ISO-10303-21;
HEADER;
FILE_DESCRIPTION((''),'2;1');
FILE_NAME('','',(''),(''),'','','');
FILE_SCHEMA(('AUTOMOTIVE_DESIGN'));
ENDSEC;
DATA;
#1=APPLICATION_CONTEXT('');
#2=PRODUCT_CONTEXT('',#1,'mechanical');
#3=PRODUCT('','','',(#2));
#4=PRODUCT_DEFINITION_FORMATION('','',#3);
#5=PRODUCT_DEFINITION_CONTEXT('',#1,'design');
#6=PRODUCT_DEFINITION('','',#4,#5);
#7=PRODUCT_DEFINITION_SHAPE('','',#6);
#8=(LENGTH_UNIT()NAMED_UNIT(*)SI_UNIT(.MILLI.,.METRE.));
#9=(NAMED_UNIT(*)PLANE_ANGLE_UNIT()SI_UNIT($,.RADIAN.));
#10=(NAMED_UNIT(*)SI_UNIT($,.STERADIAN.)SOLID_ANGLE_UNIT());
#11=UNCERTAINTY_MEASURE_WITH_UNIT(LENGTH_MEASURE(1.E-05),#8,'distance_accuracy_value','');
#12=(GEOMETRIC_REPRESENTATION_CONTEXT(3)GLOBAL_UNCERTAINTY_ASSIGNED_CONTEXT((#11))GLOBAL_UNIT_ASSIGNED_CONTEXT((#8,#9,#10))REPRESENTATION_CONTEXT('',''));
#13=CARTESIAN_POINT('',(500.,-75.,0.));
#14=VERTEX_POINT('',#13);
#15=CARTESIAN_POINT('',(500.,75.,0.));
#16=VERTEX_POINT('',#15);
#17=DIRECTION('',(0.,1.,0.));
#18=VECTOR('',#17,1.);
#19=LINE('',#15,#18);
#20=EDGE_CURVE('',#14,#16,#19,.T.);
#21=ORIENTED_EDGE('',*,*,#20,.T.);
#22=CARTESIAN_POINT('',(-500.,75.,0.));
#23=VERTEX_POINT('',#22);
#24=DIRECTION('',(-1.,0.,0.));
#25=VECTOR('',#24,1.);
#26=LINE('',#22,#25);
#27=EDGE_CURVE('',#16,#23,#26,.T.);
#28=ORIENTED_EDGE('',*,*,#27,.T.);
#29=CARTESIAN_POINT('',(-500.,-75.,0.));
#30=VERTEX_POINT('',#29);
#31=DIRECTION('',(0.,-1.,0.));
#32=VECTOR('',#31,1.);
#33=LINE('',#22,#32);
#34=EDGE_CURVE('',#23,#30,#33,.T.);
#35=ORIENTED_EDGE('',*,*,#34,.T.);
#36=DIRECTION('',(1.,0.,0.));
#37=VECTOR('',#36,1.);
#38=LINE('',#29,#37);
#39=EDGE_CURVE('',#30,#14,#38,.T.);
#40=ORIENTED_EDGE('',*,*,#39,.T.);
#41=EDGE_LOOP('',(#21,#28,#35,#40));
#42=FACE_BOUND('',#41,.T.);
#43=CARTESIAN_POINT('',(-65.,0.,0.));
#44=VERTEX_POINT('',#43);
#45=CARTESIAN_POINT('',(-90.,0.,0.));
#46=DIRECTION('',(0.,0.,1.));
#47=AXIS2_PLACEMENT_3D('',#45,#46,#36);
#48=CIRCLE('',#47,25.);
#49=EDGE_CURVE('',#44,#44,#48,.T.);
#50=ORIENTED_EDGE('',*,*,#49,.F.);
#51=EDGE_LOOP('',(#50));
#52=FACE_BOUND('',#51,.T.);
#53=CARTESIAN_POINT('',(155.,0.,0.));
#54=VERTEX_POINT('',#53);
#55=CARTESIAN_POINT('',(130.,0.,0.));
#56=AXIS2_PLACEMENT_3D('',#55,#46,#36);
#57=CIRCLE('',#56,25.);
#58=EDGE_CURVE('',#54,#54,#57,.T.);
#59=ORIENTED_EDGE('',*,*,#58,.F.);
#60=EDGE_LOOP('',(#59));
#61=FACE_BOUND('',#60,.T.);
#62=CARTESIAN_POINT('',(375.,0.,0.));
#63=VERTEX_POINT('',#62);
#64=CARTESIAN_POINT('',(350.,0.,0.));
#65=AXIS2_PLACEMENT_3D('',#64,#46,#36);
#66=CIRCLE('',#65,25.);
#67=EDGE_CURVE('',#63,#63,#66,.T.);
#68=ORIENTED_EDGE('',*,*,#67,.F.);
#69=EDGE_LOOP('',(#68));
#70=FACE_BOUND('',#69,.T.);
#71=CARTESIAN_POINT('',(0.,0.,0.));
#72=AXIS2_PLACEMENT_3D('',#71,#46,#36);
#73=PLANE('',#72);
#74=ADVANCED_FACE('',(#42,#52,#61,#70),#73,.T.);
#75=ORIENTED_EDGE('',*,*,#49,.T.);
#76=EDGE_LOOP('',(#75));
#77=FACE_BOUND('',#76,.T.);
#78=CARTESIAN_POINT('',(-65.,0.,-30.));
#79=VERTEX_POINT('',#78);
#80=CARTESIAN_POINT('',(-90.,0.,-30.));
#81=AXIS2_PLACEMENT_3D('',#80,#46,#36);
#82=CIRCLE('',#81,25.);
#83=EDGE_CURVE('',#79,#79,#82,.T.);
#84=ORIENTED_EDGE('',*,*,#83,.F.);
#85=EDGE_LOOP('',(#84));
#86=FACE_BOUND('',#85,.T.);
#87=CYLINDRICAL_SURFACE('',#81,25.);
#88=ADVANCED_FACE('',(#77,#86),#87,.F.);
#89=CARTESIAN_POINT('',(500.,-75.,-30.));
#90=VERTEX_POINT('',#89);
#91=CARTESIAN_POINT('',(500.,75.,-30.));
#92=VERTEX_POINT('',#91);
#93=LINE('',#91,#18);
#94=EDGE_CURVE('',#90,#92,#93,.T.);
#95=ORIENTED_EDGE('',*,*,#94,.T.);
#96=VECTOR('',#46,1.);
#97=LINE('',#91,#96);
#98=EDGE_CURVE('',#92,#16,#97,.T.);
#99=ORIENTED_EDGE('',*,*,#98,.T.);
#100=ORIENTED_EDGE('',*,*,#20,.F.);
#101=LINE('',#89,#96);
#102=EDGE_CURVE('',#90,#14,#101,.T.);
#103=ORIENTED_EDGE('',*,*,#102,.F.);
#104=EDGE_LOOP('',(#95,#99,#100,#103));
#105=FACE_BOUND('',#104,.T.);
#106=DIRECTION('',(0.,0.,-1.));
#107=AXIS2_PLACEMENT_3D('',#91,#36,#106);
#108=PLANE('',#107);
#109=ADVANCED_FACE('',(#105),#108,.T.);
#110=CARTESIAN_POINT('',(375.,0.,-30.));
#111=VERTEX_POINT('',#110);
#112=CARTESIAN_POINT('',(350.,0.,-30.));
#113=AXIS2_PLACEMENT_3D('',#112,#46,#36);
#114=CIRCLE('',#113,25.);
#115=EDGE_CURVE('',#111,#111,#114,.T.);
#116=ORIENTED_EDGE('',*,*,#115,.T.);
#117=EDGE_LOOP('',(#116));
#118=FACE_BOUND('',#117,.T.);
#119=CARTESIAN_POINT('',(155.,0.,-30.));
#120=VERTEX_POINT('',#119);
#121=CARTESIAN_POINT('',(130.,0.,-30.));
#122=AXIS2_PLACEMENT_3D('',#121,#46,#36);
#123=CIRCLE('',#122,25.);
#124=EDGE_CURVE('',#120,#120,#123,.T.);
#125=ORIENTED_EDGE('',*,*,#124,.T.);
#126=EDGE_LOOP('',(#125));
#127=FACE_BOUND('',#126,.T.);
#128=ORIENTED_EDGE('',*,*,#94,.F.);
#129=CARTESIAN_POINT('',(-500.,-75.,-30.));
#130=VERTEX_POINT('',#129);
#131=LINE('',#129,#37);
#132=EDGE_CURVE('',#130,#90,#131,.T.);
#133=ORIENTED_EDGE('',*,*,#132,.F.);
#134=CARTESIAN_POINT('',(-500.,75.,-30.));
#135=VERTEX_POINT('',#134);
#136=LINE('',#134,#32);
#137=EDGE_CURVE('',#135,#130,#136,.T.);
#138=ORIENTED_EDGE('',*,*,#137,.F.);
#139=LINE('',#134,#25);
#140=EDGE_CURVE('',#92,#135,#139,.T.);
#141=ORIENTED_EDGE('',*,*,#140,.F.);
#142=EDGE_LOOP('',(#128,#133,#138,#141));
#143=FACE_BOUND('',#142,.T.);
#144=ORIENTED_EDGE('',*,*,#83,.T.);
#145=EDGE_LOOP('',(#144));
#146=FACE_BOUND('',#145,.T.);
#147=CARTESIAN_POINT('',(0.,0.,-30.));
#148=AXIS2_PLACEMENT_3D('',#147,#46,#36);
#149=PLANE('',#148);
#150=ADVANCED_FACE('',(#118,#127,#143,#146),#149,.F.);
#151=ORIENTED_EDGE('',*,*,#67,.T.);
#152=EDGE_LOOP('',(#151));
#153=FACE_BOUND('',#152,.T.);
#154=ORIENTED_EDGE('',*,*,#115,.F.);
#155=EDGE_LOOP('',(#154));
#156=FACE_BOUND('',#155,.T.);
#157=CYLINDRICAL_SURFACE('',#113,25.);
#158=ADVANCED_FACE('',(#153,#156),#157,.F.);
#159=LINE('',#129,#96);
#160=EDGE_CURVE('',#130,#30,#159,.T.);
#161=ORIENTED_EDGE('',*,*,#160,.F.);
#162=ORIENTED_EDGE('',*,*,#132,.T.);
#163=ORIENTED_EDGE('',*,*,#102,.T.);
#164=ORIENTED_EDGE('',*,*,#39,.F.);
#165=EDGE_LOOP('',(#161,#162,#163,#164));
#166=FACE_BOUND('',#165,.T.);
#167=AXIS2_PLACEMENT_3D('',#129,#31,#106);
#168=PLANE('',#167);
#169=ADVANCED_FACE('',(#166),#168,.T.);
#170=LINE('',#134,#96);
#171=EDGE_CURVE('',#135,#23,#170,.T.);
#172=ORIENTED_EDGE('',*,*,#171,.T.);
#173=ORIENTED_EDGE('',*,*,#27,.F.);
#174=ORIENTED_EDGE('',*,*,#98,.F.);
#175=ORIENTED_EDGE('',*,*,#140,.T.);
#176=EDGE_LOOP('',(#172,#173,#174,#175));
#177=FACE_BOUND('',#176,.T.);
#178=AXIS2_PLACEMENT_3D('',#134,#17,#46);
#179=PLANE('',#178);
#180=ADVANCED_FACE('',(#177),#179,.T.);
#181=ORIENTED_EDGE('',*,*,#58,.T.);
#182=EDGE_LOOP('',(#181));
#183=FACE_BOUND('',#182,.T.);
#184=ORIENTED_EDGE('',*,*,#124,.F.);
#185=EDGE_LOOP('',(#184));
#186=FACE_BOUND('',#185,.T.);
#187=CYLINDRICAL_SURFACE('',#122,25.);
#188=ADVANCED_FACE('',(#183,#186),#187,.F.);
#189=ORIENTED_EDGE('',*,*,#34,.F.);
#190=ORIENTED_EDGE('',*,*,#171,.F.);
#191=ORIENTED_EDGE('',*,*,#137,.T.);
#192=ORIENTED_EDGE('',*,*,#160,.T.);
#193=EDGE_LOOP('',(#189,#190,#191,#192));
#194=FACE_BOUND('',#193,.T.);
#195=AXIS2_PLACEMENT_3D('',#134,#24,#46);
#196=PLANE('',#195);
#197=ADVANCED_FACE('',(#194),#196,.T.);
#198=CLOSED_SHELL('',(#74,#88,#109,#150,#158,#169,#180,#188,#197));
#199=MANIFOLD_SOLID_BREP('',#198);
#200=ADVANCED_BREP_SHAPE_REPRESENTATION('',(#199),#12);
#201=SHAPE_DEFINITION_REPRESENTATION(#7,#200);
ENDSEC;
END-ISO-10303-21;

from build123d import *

# Parameters (mm, degrees)
SKETCH2_W           = 1000
SKETCH2_H           = 150
SKETCH2_R           = 25
BOSS_EXTRUDE1_DEPTH = 30


with BuildPart() as part:
    # Sketch2 → Boss-Extrude1 (new body)
    with BuildSketch(Plane.XY):
        Rectangle(SKETCH2_W, SKETCH2_H)
        with Locations((130, 0)):
            Circle(SKETCH2_R, mode=Mode.SUBTRACT)
        with Locations((-90, 0)):
            Circle(SKETCH2_R, mode=Mode.SUBTRACT)
        with Locations((350, 0)):
            Circle(SKETCH2_R, mode=Mode.SUBTRACT)
    extrude(amount=-BOSS_EXTRUDE1_DEPTH)


solid = part.part
